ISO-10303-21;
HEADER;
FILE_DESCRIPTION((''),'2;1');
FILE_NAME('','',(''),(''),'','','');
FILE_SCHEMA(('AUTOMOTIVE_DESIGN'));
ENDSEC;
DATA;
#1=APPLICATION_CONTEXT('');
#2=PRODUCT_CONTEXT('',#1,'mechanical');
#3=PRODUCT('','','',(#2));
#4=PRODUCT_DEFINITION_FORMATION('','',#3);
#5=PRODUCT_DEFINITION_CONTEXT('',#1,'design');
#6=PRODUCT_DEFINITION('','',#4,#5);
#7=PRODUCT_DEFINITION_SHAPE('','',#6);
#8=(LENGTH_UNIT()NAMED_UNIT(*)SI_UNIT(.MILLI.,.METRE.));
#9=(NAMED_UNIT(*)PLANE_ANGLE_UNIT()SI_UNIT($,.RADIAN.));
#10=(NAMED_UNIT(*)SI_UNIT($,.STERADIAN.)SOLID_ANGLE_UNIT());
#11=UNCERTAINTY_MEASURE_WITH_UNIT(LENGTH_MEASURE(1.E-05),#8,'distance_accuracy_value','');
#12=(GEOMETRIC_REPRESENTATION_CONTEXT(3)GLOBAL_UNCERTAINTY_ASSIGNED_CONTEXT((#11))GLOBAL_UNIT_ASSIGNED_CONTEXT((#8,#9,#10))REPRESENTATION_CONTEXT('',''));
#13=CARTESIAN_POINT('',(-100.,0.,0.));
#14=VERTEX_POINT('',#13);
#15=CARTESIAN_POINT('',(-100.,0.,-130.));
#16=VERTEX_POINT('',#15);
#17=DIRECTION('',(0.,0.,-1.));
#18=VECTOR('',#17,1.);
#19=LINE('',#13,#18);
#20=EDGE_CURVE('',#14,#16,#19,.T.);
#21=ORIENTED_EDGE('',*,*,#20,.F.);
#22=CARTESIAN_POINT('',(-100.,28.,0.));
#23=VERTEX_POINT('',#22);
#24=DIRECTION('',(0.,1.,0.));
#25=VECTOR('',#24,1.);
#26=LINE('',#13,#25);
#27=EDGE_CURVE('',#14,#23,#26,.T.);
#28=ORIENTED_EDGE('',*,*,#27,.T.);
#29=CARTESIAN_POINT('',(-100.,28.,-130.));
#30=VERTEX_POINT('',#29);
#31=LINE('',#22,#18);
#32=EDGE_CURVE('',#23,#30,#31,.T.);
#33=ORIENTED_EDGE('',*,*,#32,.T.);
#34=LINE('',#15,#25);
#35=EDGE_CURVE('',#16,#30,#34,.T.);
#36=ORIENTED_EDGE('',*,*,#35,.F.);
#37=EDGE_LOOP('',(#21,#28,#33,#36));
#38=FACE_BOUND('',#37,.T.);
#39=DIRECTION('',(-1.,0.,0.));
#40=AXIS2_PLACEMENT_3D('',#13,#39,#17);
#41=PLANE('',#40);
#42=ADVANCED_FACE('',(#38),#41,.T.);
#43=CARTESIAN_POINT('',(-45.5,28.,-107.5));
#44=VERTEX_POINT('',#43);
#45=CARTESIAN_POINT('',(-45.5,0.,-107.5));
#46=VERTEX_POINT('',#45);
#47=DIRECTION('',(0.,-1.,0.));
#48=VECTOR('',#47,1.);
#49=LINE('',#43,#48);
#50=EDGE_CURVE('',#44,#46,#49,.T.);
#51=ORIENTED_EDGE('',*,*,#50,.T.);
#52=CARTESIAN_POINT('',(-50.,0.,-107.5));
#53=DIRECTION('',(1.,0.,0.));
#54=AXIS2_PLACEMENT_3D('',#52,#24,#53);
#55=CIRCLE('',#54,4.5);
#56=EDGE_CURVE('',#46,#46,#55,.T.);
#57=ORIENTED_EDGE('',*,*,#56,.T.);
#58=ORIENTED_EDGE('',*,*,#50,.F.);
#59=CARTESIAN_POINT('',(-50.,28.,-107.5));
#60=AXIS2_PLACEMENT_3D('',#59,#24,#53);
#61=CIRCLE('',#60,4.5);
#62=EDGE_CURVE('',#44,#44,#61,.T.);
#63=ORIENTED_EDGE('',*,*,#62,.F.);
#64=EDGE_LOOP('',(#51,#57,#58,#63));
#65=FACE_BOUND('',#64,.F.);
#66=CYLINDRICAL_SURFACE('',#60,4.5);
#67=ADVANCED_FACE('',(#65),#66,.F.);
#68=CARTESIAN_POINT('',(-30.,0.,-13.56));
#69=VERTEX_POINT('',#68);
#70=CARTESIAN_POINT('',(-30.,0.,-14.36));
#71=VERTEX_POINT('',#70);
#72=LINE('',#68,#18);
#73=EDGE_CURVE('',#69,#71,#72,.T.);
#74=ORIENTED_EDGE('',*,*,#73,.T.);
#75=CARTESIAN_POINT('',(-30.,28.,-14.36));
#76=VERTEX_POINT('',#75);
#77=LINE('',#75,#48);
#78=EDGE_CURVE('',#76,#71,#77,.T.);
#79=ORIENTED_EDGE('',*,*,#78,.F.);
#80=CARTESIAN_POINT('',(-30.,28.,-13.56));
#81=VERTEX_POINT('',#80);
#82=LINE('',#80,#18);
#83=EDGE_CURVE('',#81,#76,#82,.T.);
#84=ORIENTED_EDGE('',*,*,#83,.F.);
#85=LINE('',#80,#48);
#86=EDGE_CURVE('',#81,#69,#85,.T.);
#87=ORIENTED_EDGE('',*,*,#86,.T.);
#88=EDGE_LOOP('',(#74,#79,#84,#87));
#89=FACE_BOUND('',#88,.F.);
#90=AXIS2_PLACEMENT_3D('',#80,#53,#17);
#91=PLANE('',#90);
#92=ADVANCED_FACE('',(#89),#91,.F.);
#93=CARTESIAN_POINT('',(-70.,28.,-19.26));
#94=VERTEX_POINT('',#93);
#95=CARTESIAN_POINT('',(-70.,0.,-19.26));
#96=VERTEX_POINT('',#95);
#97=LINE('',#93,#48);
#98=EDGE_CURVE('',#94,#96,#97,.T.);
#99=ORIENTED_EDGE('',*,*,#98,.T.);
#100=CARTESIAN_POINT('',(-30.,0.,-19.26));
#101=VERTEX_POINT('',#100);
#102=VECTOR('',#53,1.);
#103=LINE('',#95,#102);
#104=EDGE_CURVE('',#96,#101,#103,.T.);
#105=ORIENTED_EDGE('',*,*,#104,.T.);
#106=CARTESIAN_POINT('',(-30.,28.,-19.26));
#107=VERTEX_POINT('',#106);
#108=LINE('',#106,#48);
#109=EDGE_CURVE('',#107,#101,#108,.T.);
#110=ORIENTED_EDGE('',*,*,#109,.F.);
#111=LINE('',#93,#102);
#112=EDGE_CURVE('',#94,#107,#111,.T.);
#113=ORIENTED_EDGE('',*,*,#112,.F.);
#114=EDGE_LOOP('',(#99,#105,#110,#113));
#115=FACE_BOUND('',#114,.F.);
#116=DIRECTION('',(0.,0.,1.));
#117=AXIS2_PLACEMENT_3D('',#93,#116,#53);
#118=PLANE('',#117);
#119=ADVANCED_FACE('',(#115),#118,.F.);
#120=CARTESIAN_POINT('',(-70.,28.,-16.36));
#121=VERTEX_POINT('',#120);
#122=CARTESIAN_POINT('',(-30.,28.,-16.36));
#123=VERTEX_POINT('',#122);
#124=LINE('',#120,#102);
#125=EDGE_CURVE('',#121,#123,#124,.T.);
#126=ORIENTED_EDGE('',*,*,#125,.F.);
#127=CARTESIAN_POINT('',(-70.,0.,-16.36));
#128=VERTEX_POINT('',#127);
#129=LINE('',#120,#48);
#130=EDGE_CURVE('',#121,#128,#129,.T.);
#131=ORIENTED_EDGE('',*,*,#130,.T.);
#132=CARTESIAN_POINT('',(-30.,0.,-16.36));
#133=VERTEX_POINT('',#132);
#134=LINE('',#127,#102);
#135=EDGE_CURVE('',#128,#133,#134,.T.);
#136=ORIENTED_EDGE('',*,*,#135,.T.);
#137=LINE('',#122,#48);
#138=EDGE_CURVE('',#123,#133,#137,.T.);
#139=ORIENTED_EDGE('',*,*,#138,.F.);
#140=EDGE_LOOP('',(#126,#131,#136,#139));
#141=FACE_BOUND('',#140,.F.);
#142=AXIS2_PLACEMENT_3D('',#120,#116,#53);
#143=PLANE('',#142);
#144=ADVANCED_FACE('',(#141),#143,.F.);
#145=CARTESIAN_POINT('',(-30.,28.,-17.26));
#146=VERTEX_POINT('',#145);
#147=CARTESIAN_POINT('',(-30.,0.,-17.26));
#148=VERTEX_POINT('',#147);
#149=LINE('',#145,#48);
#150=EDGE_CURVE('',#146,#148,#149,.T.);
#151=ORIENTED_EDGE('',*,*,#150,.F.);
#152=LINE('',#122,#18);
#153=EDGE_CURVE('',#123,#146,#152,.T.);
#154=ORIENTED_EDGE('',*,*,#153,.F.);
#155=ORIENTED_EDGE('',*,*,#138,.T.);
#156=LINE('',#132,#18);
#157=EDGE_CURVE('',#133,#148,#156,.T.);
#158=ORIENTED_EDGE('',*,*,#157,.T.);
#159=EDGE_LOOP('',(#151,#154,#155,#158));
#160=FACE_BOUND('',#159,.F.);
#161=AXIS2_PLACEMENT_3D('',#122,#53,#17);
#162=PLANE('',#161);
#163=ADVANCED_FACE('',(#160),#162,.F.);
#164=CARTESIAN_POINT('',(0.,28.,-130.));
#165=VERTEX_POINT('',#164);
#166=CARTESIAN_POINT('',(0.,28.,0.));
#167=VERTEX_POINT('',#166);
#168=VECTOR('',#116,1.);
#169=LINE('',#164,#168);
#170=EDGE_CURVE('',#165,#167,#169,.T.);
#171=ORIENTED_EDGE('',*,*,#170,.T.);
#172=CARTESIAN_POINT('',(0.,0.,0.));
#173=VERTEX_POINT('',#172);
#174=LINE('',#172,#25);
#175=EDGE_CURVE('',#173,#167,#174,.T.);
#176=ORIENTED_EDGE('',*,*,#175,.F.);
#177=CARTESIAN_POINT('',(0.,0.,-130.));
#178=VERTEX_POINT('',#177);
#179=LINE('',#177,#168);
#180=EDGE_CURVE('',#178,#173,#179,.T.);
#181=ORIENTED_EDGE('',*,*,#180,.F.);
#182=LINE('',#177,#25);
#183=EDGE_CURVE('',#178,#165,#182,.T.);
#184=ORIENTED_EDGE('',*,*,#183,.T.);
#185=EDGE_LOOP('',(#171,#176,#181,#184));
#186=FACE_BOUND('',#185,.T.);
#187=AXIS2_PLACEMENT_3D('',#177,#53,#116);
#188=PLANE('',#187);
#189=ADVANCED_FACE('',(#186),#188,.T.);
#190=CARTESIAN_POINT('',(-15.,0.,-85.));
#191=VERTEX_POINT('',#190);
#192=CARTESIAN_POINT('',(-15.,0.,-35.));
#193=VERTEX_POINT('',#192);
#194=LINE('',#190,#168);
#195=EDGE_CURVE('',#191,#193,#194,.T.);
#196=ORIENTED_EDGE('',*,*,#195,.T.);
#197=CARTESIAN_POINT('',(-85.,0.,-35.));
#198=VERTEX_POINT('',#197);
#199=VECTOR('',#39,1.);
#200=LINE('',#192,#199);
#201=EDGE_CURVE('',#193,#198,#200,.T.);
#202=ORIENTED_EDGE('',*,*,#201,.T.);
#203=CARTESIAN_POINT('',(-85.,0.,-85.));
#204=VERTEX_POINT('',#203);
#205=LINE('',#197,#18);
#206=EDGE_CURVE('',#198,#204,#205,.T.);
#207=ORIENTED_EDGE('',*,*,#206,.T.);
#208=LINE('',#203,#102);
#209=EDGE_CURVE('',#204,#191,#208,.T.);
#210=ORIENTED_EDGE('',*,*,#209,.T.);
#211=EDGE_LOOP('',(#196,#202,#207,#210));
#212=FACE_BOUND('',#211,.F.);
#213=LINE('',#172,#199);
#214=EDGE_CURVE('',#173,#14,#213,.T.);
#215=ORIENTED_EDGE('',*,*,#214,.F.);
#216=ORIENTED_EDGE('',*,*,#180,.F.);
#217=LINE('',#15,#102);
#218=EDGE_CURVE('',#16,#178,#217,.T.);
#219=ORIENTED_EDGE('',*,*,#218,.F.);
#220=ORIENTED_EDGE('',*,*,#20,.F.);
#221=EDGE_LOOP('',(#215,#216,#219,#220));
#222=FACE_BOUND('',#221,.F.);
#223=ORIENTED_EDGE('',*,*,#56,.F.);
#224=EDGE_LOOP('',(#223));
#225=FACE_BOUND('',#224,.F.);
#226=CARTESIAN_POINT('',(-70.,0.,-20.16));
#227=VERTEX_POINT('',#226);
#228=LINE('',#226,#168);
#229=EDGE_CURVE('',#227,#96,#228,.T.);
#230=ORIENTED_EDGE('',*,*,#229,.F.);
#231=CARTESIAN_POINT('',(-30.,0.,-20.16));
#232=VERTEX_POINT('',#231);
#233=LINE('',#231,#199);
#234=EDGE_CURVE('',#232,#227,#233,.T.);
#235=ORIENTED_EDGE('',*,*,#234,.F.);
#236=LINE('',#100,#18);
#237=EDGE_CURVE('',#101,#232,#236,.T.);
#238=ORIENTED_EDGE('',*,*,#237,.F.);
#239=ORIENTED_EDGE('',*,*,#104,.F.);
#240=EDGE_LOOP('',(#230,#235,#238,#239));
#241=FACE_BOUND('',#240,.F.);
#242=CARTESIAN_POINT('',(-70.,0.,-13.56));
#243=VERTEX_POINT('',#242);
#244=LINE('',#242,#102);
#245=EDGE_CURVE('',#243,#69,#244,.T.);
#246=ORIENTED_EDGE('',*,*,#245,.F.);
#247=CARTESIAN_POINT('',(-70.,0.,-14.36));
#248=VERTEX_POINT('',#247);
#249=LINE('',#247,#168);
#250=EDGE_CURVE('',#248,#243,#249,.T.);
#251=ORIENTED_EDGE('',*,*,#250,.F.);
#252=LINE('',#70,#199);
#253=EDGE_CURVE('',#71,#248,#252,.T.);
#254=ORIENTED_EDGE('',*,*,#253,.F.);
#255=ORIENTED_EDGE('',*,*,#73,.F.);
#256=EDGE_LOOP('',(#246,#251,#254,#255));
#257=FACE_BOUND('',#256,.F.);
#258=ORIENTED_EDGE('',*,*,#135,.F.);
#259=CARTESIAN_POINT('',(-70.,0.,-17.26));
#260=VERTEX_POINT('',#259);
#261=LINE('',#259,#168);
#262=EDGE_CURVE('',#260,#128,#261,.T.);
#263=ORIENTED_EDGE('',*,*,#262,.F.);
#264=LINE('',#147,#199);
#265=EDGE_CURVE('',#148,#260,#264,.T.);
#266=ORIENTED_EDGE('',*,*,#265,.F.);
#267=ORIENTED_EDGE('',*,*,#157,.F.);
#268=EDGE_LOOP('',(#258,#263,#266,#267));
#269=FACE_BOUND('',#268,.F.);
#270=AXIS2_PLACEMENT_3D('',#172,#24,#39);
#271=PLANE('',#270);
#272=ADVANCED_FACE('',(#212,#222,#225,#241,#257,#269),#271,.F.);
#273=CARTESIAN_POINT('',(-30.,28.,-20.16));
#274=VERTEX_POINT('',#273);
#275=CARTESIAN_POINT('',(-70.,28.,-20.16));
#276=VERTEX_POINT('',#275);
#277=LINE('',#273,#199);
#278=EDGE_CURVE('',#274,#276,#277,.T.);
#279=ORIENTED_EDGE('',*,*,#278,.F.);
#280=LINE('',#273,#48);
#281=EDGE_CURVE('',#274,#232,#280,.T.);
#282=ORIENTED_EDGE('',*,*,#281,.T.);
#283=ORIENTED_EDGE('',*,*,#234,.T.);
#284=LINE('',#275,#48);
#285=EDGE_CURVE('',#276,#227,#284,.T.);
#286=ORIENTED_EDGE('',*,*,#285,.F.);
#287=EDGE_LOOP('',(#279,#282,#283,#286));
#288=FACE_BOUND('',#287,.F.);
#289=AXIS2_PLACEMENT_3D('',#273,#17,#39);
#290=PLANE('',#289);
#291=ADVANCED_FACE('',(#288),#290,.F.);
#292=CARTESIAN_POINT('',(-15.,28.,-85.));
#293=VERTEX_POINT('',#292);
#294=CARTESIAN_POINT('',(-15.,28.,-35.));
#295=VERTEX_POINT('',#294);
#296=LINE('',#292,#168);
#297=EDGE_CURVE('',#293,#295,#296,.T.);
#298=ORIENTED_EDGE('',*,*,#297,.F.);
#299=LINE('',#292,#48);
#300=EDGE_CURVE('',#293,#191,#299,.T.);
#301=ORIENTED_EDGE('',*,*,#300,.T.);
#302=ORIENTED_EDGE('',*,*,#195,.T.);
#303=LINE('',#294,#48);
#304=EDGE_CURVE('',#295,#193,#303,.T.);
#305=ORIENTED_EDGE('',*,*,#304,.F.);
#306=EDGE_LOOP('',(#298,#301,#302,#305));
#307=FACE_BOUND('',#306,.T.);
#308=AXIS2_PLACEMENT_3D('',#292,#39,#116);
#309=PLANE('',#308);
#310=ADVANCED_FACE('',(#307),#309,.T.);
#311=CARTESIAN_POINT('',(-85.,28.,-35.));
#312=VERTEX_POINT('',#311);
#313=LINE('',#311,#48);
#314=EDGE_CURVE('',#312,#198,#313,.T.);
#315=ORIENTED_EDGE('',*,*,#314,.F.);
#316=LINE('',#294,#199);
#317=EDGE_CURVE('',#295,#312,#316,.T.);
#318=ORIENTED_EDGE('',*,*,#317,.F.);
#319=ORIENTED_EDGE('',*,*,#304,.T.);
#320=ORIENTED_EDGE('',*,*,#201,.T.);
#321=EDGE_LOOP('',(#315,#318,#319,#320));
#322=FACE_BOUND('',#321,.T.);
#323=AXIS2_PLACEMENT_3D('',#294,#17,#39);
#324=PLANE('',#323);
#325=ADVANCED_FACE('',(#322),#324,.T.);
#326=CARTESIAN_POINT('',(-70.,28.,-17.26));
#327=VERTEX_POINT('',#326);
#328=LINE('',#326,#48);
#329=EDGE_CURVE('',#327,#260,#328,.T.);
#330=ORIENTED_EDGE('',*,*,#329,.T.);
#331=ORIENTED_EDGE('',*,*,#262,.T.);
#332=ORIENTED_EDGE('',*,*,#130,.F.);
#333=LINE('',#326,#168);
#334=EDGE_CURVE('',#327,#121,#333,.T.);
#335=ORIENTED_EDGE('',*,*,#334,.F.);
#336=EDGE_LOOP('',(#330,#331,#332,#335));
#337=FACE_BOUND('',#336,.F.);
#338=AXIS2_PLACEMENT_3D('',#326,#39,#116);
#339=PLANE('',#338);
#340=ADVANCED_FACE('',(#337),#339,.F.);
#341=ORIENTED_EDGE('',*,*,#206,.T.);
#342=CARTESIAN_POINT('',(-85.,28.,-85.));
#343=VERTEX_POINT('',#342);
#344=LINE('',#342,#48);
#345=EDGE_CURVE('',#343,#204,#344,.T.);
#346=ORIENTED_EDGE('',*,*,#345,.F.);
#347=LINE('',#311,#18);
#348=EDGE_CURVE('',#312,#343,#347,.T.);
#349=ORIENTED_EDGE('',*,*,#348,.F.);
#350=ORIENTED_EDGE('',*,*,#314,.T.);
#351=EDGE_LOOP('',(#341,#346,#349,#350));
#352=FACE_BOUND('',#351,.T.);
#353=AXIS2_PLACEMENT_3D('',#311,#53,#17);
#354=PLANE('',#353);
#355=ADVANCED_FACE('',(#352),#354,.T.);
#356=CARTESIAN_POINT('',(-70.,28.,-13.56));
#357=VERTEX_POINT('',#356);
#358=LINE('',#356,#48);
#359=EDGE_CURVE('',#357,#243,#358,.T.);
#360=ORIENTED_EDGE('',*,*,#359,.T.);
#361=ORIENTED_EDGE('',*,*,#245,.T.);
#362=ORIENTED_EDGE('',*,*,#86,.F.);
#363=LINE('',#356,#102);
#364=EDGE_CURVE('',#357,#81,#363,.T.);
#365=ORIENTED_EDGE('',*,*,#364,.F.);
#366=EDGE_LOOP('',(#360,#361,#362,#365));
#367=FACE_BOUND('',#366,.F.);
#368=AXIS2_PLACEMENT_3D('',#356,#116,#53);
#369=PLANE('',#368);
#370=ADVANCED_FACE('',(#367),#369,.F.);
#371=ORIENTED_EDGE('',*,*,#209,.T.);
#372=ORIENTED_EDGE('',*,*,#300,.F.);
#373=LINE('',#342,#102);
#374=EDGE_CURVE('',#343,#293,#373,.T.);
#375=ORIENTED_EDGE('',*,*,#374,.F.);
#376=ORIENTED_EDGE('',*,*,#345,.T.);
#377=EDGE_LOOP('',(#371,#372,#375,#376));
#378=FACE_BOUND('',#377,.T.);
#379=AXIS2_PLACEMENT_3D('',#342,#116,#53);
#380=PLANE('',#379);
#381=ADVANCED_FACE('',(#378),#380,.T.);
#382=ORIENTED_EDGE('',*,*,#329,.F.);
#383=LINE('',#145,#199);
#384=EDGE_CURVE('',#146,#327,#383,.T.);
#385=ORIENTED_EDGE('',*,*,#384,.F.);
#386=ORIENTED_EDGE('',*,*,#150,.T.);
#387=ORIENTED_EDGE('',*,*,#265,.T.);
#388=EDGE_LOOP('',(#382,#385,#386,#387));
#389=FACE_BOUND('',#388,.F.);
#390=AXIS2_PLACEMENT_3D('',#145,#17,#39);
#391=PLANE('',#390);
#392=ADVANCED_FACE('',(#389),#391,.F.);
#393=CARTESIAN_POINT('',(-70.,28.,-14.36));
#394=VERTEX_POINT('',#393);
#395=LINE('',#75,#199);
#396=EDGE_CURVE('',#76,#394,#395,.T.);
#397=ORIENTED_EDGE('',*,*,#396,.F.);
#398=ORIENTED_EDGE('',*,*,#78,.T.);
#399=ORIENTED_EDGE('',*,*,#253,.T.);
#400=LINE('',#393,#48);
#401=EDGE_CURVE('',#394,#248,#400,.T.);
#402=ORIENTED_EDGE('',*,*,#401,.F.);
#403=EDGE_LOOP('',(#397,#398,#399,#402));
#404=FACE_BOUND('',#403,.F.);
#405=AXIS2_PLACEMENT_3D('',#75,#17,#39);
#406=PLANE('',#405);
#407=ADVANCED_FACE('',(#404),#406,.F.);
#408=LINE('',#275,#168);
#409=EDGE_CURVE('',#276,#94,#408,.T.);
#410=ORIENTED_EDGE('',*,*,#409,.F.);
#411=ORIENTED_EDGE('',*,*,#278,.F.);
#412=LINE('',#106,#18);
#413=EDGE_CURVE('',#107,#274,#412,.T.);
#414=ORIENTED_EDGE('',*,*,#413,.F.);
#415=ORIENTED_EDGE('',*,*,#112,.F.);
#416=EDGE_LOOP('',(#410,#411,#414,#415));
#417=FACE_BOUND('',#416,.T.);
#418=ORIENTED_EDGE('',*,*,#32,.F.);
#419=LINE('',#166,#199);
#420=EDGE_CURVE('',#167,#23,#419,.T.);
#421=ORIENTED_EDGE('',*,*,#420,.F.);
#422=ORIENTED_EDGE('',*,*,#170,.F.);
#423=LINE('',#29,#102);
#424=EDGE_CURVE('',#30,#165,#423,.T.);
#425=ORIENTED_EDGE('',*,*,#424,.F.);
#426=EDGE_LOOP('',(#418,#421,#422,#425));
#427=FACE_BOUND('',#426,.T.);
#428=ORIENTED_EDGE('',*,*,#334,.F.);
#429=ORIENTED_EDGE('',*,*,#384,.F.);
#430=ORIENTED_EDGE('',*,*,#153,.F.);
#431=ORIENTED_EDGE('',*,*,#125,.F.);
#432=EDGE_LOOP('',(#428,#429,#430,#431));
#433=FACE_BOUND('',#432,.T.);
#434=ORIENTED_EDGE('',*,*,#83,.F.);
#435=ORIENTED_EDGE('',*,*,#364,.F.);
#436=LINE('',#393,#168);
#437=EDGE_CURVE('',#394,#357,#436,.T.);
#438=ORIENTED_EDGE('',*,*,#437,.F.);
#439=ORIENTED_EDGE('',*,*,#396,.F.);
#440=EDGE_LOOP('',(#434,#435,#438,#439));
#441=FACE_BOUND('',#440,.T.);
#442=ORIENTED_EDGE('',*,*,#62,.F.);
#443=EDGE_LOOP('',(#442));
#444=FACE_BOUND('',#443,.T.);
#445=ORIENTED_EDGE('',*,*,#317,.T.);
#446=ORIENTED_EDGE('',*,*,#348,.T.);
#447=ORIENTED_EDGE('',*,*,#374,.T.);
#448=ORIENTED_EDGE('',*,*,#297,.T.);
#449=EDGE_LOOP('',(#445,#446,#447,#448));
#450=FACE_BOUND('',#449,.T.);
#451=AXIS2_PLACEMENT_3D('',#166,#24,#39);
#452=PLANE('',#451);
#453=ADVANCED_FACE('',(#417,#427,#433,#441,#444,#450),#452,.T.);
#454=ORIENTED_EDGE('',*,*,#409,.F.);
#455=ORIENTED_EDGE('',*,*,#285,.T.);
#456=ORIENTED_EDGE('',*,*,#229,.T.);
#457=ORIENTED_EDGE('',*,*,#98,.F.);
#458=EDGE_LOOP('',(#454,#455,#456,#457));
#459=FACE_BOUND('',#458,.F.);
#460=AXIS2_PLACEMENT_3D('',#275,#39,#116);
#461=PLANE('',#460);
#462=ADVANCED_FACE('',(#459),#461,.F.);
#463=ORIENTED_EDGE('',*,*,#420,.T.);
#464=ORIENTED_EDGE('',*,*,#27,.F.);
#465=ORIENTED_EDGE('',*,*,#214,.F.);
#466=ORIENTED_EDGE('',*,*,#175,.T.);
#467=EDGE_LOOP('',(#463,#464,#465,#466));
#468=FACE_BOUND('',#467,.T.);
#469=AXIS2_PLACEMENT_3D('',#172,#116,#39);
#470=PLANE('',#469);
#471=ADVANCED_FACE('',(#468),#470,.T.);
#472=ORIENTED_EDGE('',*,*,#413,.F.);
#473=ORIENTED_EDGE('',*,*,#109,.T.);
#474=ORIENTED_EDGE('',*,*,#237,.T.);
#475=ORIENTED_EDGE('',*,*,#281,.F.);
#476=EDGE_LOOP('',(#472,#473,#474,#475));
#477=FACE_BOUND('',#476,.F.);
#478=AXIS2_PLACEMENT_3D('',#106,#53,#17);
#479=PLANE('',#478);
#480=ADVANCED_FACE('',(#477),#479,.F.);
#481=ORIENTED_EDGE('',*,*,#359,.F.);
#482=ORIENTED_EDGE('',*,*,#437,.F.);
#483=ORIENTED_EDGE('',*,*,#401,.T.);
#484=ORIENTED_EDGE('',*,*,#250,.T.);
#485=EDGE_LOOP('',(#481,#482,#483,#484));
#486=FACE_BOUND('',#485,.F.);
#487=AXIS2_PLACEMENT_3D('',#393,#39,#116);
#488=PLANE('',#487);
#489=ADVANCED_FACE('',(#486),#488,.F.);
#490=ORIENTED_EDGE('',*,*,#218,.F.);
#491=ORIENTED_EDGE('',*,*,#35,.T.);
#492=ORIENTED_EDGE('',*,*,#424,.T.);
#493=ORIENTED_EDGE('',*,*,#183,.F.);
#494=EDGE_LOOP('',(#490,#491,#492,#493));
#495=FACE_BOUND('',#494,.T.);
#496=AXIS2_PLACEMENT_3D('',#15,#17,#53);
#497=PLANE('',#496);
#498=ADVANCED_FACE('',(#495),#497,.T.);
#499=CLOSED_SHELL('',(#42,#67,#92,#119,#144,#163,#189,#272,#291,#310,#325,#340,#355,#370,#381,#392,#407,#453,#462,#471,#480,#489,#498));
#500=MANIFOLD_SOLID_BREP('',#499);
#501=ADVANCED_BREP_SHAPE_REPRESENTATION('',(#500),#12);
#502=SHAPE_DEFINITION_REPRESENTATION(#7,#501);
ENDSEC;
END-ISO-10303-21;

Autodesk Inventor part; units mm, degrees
ref_plane "YZ Plane" through (0, 0, 0) normal (1, 0, 0) x (0, 1, 0)
ref_plane "XZ Plane" through (0, 0, 0) normal (0, 1, 0) x (-1, 0, 0)
ref_plane "XY Plane" through (0, 0, 0) normal (0, 0, 1) x (1, 0, 0)
sketch "Boceto1" plane through (0, 0, 0) normal (0, 1, 0) x (-1, 0, 0)
  line L0 (0, 0) -> (100, 0)
  line L1 (100, 0) -> (100, -130)
  line L2 (100, -130) -> (0, -130)
  line L3 (0, -130) -> (0, 0)
  dimension "d0" = 100
  dimension "d1" = 130
extrude "Extrusión1" add sketch "Boceto1" along normal blind 28
sketch "Boceto2" plane through (0, 28, 0) normal (0, 1, 0) x (1, 0, 0)
  line L0 (-70, 13.56) -> (-30, 13.56)
  line L1 (-30, 13.56) -> (-30, 14.36)
  line L2 (-30, 14.36) -> (-70, 14.36)
  line L3 (-70, 14.36) -> (-70, 13.56)
  line L4 (-100, 0) -> (0, 0) projected
  line L5 (0, 0) -> (0, 130) projected
  line L6 (-70, 16.36) -> (-30, 16.36)
  line L7 (-30, 16.36) -> (-30, 17.26)
  line L8 (-30, 17.26) -> (-70, 17.26)
  line L9 (-70, 17.26) -> (-70, 16.36)
  line L10 (-70, 19.26) -> (-30, 19.26)
  line L11 (-30, 19.26) -> (-30, 20.16)
  line L12 (-30, 20.16) -> (-70, 20.16)
  line L13 (-70, 20.16) -> (-70, 19.26)
  line L14 (-85, 85) -> (-15, 85)
  line L15 (-15, 85) -> (-15, 35)
  line L16 (-15, 35) -> (-85, 35)
  line L17 (-85, 35) -> (-85, 85)
  line L18 (-100, 130) -> (-100, 0) projected
  line L19 (0, 130) -> (-100, 130) projected
  circle A0 centre (-50, 107.5) radius 4.5
  dimension "d4" = 40
  dimension "d5" = 0.8
  dimension "d6" = 13.56
  dimension "d7" = 30
  dimension "d8" = 40
  dimension "d9" = 0.9
  dimension "d10" = 2
  dimension "d11" = 0
  dimension "d12" = 40
  dimension "d13" = 0.9
  dimension "d14" = 0
  dimension "d15" = 2
  dimension "d16" = 70
  dimension "d17" = 50
  dimension "d18" = 15
  dimension "d19" = 45
  dimension "d20" = 9
  dimension "d21" = 50
  dimension "d22" = 22.5
extrude "Extrusión2" cut sketch "Boceto2" against normal blind 28 contours L3 L2 L1 L0 | L9 L8 L7 L6 | L13 L12 L11 L10 | L14 L15 L16 L17 | A0
equation "\"Radio_pliegue\" = Grosor"
equation "\"Anchura_desahogo_plegado\" = Grosor"
equation "\"Profundidad_desahogo_plegado\" = 0.5 * Grosor"
equation "\"Tamaño_destalonado\" = 4 * Grosor"
equation "\"Remanente_mínimo\" = 2 * Grosor"
equation "\"Radiodetransición\" = Radio_pliegue"
equation "\"Tamaño_de_radio_de_Jacobi\" = Radio_pliegue"
equation "\"TamañoSeparación\" = Grosor"
equation "\"Grosor\" = 0.5"
properties part number "carcasaV1"
